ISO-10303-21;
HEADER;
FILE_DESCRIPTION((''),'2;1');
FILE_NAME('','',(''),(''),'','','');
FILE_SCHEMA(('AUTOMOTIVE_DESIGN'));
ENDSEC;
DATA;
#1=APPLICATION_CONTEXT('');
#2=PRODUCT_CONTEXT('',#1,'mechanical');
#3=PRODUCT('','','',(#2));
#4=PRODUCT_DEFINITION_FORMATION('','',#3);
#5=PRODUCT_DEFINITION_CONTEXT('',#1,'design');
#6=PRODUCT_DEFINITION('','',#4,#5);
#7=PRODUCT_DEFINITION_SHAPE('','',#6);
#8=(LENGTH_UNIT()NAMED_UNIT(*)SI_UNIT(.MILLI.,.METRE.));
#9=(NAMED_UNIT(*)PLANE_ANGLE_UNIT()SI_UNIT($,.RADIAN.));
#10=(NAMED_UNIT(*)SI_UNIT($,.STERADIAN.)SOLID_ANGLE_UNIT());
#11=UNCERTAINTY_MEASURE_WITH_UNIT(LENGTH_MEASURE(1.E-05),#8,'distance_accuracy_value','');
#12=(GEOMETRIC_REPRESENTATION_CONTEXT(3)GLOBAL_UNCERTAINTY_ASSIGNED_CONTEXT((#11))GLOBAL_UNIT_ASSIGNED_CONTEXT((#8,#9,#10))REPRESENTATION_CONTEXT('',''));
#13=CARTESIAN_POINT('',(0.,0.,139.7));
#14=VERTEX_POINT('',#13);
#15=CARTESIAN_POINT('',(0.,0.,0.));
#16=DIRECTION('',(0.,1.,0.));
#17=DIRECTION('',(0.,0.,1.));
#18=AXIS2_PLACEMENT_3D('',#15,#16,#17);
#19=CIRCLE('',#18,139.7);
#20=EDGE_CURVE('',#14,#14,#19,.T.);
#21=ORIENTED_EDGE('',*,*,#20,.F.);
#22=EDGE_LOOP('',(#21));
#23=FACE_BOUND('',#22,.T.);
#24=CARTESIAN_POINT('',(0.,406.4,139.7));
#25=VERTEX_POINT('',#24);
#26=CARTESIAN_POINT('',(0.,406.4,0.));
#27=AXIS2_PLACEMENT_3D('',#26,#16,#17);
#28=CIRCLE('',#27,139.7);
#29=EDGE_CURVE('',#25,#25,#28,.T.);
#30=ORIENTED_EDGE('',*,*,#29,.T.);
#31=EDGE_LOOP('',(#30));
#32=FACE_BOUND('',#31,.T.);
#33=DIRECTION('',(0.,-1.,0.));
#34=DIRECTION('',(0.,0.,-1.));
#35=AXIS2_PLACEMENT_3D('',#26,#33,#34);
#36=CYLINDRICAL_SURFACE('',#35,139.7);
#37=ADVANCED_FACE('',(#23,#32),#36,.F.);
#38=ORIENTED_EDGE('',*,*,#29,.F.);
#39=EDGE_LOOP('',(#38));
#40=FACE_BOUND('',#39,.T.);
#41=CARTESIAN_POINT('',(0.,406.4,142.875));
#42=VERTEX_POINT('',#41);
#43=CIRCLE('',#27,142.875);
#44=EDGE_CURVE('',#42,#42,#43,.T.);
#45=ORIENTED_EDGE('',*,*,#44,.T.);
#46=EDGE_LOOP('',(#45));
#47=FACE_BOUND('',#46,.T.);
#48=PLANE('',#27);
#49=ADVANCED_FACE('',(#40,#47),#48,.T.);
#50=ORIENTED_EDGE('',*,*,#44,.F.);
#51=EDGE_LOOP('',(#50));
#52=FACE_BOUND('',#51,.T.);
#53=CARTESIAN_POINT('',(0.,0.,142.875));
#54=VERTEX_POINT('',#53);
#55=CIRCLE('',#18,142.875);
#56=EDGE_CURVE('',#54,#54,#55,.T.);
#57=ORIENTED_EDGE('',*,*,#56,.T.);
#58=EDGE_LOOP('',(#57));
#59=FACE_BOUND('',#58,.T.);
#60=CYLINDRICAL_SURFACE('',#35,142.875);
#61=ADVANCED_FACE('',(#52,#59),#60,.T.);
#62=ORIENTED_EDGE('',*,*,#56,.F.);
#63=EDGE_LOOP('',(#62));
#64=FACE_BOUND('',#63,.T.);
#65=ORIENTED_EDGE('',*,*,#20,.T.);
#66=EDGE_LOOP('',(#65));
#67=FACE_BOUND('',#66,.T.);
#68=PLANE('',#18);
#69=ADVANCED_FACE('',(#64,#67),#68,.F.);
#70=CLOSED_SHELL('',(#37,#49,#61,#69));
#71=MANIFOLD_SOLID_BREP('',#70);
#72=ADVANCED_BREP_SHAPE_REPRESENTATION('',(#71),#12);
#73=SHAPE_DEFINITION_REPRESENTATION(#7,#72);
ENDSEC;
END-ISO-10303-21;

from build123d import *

# Parameters (mm, degrees)
SKETCH5_R           = 142.875
SKETCH5_R_2         = 139.7
BOSS_EXTRUDE1_DEPTH = 406.4


with BuildPart() as part:
    # Sketch5 → Boss-Extrude1 (new body)
    with BuildSketch(Plane(origin=(0, 0, 0), x_dir=(1, 0, 0), z_dir=(0, 1, 0))):
        Circle(SKETCH5_R)
        Circle(SKETCH5_R_2, mode=Mode.SUBTRACT)
    extrude(amount=BOSS_EXTRUDE1_DEPTH)


solid = part.part
